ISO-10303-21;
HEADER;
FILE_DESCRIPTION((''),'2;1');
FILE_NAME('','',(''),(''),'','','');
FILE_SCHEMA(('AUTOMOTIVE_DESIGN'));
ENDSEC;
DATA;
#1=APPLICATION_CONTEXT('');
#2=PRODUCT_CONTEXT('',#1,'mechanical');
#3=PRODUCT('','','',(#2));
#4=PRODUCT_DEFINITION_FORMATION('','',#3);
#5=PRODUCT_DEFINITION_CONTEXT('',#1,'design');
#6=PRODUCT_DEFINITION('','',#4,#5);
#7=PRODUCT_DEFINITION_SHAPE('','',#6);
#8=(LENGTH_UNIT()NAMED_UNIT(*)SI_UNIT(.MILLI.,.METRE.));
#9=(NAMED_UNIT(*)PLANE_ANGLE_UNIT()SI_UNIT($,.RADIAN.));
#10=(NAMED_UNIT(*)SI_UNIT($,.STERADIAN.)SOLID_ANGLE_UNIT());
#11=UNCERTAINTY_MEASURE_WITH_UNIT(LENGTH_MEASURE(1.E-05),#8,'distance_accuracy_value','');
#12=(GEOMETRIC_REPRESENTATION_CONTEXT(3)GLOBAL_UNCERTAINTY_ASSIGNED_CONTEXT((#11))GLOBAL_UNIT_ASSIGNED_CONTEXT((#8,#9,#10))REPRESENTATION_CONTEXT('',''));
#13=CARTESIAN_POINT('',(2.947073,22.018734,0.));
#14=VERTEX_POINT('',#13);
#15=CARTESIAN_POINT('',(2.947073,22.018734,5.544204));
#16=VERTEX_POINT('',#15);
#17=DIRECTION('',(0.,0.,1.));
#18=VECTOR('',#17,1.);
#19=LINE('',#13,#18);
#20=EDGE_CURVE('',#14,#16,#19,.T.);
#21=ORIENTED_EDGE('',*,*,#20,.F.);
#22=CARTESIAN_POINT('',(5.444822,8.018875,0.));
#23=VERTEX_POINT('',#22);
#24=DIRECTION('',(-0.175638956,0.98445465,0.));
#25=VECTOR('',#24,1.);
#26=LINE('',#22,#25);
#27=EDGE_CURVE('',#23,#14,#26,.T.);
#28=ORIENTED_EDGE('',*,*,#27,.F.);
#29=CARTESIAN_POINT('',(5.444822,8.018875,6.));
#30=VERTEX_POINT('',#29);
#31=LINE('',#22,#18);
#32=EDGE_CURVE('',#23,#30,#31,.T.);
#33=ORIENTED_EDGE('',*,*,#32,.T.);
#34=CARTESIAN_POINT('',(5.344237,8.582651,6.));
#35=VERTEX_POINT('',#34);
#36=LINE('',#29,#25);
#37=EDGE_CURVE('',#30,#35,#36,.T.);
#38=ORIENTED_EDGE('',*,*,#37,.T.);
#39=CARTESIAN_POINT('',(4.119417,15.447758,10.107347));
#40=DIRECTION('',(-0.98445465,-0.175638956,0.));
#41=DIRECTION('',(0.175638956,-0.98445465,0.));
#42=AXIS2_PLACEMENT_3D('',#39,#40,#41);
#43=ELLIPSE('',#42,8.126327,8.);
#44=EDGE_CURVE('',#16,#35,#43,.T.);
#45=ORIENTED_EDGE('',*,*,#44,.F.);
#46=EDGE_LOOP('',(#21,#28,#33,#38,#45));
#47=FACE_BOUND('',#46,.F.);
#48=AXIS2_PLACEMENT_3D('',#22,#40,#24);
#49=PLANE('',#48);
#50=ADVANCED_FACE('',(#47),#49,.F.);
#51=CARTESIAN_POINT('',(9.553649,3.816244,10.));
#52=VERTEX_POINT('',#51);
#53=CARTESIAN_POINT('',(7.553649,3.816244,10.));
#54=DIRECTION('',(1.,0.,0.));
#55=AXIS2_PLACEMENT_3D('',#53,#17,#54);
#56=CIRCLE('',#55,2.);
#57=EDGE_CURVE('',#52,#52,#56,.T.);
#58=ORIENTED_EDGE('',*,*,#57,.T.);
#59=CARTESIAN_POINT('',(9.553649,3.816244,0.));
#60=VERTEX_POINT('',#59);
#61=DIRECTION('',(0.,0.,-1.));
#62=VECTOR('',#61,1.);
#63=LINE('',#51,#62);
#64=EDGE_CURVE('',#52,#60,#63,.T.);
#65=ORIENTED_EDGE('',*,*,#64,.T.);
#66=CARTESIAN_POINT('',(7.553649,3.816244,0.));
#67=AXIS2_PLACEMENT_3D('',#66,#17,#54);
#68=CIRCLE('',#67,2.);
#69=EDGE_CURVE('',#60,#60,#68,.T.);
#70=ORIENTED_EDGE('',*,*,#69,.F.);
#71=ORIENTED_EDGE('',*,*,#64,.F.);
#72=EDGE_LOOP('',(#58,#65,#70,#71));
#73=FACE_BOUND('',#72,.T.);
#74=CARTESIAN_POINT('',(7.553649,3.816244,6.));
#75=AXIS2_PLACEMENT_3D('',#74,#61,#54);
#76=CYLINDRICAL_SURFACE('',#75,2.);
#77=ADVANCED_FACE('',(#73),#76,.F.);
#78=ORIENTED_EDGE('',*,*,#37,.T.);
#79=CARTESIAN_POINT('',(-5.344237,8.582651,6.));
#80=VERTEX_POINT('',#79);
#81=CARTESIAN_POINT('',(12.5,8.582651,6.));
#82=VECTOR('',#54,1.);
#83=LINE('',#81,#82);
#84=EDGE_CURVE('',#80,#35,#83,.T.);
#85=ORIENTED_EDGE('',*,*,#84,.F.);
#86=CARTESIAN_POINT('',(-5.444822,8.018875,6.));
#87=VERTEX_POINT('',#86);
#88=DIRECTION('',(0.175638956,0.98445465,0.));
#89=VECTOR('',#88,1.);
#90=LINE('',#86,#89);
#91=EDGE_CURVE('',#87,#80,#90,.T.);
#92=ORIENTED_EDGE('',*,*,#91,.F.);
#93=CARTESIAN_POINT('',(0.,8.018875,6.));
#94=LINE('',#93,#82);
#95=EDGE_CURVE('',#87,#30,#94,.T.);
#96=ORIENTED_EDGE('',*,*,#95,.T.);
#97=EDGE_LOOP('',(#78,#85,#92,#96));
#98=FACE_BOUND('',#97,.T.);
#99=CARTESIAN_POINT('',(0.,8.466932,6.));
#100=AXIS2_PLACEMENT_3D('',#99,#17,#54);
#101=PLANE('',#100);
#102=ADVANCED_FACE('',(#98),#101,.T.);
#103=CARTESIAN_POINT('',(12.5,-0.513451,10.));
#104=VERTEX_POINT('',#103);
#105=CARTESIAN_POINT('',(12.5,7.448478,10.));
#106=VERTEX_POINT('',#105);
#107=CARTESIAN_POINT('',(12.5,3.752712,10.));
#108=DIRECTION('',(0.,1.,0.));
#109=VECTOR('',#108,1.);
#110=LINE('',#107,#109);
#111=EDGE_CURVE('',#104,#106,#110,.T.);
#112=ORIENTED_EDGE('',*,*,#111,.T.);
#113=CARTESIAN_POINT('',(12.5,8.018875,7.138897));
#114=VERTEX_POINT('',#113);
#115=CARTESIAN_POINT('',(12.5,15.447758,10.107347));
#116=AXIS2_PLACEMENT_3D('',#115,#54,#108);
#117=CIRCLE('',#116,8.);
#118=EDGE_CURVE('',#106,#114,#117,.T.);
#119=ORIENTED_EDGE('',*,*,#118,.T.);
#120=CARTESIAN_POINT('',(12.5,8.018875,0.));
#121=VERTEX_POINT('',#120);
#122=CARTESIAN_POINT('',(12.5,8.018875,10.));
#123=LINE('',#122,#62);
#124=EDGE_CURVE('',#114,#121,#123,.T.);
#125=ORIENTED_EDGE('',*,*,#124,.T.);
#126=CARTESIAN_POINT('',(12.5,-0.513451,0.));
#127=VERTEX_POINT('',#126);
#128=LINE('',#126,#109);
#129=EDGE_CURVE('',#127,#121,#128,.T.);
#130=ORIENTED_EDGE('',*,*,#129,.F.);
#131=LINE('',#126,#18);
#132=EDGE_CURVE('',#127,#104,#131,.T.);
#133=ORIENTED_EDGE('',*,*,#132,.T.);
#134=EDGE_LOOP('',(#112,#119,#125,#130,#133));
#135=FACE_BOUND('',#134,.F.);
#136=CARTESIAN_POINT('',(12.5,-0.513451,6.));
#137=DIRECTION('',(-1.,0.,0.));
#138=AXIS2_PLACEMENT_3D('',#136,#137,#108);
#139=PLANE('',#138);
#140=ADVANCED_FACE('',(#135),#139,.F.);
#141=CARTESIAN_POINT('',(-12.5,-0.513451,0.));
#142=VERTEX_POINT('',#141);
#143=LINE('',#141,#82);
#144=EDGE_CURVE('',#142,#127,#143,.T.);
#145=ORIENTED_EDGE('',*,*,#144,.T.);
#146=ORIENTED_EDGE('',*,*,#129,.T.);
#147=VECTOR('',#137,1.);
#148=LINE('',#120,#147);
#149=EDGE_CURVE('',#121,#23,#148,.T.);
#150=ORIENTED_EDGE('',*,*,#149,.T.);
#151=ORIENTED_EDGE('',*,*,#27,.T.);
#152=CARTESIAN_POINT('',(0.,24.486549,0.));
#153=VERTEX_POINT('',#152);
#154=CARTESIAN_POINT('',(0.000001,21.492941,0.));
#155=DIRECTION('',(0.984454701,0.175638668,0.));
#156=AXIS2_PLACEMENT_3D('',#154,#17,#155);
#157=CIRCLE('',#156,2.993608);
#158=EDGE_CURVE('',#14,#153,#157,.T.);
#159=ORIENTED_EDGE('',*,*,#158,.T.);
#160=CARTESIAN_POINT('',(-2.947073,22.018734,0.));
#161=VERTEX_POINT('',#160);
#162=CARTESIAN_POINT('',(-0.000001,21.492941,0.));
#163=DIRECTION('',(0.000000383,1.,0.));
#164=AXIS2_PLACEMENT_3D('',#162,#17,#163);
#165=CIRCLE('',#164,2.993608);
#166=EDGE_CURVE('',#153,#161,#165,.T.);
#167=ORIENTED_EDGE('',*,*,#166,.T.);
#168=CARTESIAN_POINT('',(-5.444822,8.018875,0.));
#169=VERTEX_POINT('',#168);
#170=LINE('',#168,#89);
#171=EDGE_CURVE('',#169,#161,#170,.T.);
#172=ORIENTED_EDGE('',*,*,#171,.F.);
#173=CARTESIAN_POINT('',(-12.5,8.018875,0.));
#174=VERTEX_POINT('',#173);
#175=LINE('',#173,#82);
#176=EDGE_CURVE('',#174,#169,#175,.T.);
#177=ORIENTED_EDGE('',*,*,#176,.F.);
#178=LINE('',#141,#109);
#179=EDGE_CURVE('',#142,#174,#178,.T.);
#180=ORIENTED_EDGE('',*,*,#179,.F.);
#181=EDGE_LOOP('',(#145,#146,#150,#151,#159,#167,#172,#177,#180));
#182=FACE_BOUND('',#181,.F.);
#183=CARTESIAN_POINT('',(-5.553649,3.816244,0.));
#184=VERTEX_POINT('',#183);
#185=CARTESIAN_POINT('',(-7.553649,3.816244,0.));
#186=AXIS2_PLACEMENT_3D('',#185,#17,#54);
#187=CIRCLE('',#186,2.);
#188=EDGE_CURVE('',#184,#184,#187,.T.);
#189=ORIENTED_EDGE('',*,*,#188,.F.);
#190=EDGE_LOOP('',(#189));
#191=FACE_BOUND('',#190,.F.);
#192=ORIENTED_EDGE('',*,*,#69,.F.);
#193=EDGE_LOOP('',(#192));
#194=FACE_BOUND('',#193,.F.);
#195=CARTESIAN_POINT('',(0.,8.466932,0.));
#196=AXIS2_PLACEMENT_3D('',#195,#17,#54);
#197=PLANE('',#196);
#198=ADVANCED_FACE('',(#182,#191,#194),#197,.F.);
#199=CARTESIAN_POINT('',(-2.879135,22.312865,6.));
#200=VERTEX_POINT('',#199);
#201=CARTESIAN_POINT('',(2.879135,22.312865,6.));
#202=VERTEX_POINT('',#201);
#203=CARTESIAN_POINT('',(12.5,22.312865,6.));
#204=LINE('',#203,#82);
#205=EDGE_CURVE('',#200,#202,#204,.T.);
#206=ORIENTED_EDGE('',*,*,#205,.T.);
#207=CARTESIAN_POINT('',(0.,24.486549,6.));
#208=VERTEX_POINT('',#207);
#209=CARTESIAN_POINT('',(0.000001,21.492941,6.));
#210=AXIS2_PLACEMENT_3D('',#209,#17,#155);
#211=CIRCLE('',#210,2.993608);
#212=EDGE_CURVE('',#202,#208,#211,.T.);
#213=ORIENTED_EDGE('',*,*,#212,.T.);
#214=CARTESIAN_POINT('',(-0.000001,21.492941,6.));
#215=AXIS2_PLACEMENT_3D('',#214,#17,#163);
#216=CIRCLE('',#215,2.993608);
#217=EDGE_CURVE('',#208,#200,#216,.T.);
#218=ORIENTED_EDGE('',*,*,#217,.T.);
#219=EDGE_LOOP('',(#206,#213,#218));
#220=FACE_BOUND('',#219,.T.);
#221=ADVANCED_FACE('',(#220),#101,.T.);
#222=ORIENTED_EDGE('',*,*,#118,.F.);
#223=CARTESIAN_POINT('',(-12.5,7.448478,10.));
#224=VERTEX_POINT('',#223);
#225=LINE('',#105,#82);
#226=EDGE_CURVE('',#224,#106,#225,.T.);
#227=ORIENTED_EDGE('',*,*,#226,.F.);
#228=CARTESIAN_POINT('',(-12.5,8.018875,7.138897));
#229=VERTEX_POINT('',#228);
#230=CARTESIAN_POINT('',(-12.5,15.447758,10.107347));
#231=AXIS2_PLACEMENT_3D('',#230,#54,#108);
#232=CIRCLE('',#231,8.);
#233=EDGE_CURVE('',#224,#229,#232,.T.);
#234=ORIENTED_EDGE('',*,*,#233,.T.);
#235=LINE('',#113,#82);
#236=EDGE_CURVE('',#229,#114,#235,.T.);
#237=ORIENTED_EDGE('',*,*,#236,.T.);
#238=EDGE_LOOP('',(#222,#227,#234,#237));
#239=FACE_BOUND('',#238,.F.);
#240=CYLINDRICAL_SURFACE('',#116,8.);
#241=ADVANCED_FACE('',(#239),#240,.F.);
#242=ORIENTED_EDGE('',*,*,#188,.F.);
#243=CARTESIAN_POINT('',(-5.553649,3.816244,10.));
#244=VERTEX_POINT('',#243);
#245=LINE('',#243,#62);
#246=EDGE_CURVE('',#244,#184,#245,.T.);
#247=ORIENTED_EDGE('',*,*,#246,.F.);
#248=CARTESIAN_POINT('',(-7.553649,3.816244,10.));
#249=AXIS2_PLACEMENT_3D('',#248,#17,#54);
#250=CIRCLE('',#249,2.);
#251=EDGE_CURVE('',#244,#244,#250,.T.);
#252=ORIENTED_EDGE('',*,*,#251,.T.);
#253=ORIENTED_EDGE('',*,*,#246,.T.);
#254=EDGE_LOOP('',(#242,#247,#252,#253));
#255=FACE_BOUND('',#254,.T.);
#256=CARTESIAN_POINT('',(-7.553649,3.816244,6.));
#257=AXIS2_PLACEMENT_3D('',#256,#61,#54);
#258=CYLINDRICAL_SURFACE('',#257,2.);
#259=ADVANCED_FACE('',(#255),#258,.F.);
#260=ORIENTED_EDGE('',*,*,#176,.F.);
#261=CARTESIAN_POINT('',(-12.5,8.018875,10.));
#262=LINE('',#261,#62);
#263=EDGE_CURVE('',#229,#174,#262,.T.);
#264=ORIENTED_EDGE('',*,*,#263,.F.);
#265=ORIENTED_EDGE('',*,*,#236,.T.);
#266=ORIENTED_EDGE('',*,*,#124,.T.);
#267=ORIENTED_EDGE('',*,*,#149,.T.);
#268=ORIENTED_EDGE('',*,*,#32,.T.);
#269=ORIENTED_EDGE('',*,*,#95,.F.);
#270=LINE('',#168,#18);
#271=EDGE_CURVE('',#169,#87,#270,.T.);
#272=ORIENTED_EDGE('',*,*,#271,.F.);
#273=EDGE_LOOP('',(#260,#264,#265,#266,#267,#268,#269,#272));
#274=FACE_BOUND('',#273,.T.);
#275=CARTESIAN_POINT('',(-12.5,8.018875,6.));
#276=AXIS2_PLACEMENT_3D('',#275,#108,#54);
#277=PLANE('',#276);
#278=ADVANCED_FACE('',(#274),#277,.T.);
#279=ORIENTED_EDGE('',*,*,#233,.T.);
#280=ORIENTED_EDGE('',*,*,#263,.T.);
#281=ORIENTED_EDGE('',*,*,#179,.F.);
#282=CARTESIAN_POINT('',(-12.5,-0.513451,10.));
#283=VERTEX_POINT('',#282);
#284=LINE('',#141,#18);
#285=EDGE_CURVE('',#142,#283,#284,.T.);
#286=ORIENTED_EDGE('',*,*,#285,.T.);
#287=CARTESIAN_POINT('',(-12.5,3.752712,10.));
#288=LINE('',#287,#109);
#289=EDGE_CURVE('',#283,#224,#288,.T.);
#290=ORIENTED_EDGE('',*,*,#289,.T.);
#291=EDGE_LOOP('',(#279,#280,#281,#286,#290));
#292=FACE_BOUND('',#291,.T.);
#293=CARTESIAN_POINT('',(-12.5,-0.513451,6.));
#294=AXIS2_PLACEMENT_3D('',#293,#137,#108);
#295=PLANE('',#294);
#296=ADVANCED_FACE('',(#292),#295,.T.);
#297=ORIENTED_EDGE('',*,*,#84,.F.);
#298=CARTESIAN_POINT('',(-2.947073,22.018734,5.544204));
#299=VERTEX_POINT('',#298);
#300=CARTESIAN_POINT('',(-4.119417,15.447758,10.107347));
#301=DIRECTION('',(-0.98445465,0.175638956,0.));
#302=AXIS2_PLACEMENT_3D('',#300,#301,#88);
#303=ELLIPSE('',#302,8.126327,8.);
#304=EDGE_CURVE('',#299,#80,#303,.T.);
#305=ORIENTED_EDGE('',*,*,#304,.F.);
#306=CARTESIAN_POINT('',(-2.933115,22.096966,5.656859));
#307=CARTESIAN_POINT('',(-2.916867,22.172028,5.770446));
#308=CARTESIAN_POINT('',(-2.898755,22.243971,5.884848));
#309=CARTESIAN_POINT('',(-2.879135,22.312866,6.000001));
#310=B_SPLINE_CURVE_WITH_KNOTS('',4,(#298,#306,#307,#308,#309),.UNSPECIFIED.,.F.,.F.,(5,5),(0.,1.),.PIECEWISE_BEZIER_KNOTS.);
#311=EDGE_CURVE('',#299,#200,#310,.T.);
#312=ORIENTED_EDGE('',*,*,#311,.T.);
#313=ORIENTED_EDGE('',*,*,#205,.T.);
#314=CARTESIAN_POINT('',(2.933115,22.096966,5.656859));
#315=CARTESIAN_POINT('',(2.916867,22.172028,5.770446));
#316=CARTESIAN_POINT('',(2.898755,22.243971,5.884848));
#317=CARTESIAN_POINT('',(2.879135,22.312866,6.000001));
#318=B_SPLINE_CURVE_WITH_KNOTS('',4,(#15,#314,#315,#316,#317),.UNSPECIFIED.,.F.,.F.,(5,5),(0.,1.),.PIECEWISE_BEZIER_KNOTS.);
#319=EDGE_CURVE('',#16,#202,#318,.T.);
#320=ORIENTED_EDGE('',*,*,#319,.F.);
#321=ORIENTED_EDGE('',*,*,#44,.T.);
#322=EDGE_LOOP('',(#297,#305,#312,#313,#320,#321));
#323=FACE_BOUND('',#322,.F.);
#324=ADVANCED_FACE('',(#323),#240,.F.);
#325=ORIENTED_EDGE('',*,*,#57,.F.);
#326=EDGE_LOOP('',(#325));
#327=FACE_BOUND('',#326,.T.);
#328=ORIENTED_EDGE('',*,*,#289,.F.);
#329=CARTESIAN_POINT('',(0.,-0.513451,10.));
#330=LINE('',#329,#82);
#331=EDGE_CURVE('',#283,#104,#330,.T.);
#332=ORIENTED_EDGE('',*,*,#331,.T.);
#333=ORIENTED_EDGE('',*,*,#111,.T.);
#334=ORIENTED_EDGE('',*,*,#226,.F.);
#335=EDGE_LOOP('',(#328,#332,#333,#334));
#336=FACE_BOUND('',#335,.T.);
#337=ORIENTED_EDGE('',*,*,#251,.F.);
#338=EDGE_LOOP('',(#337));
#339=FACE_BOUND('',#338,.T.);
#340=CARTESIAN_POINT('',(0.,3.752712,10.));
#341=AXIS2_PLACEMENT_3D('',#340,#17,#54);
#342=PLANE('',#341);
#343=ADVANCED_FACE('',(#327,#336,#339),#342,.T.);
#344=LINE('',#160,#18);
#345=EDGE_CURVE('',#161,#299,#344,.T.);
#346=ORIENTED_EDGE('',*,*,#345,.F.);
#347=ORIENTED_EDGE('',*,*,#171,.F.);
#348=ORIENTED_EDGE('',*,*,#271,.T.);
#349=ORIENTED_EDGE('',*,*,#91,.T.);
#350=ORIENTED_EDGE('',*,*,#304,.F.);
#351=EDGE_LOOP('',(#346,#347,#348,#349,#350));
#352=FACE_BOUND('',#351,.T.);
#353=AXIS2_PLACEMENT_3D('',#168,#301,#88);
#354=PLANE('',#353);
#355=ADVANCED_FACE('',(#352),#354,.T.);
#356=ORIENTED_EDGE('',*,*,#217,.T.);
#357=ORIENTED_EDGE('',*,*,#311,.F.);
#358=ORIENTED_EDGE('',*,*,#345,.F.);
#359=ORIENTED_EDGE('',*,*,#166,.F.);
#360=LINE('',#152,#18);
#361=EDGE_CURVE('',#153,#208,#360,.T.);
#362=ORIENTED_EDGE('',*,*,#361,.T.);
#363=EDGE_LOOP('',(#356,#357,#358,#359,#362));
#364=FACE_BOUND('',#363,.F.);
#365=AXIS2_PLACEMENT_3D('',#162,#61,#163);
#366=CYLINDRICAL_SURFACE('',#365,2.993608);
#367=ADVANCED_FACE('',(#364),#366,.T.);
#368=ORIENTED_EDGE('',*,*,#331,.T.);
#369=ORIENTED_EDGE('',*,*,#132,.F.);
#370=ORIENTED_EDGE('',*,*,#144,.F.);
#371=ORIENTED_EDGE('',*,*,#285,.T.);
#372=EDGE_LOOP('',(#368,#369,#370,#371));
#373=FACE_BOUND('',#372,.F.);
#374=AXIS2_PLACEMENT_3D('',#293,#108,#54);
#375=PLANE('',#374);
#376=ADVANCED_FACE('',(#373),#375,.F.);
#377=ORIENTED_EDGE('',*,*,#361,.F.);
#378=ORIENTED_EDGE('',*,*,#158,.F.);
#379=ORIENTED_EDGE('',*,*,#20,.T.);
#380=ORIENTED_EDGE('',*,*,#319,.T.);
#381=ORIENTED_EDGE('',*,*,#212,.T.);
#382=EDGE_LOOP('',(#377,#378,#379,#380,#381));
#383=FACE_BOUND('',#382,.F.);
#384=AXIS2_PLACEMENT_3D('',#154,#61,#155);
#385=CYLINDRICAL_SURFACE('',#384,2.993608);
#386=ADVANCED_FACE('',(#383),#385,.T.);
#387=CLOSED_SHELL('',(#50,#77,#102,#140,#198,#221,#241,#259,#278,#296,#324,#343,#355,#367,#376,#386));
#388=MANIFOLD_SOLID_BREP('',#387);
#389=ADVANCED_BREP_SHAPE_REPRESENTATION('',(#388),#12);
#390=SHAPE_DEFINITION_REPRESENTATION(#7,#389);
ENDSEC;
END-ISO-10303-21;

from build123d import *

# Parameters (mm, degrees)
SKETCH001_R  = 2
PAD_DEPTH    = 6
SKETCH_W     = 25
SKETCH_H     = 8.532326
SKETCH_R     = 2
PAD001_DEPTH = 4
SKETCH002_R  = 8
POCKET_DEPTH = 25.001


with BuildPart() as part:
    # Sketch001 → Pad (new body)
    with BuildSketch(Plane.XY):
        with BuildLine():
            Line((0, -0.513451), (12.5, -0.513451))
            Line((12.5, -0.513451), (12.5, 8.018875))
            Line((12.5, 8.018875), (5.444822, 8.018875))
            Line((5.444822, 8.018875), (2.947073, 22.018734))
            ThreePointArc((2.947073, 22.018734), (1.921936, 23.788122), (0, 24.486549))
            ThreePointArc((0, 24.486549), (-1.921936, 23.788122), (-2.947073, 22.018734))
            Line((-5.444822, 8.018875), (-2.947073, 22.018734))
            Line((-12.5, 8.018875), (-5.444822, 8.018875))
            Line((-12.5, -0.513451), (-12.5, 8.018875))
            Line((0, -0.513451), (-12.5, -0.513451))
        make_face()
        with Locations((-7.553649, 3.816244)):
            Circle(SKETCH001_R, mode=Mode.SUBTRACT)
        with Locations((7.553649, 3.816244)):
            Circle(SKETCH001_R, mode=Mode.SUBTRACT)
    extrude(amount=PAD_DEPTH)

    # Sketch → Pad001 (new body)
    with BuildSketch(Plane.XY.offset(6)):
        with Locations((0, 3.752712)):
            Rectangle(SKETCH_W, SKETCH_H)
        with Locations((-7.553649, 3.816244)):
            Circle(SKETCH_R, mode=Mode.SUBTRACT)
        with Locations((7.553649, 3.816244)):
            Circle(SKETCH_R, mode=Mode.SUBTRACT)
    extrude(amount=PAD001_DEPTH)

    # Sketch002 → Pocket (cut, through all)
    with BuildSketch(Plane.YZ.offset(12.5)):
        with Locations((15.447758, 10.107347)):
            Circle(SKETCH002_R)
    extrude(amount=-POCKET_DEPTH, mode=Mode.SUBTRACT)


solid = part.part
